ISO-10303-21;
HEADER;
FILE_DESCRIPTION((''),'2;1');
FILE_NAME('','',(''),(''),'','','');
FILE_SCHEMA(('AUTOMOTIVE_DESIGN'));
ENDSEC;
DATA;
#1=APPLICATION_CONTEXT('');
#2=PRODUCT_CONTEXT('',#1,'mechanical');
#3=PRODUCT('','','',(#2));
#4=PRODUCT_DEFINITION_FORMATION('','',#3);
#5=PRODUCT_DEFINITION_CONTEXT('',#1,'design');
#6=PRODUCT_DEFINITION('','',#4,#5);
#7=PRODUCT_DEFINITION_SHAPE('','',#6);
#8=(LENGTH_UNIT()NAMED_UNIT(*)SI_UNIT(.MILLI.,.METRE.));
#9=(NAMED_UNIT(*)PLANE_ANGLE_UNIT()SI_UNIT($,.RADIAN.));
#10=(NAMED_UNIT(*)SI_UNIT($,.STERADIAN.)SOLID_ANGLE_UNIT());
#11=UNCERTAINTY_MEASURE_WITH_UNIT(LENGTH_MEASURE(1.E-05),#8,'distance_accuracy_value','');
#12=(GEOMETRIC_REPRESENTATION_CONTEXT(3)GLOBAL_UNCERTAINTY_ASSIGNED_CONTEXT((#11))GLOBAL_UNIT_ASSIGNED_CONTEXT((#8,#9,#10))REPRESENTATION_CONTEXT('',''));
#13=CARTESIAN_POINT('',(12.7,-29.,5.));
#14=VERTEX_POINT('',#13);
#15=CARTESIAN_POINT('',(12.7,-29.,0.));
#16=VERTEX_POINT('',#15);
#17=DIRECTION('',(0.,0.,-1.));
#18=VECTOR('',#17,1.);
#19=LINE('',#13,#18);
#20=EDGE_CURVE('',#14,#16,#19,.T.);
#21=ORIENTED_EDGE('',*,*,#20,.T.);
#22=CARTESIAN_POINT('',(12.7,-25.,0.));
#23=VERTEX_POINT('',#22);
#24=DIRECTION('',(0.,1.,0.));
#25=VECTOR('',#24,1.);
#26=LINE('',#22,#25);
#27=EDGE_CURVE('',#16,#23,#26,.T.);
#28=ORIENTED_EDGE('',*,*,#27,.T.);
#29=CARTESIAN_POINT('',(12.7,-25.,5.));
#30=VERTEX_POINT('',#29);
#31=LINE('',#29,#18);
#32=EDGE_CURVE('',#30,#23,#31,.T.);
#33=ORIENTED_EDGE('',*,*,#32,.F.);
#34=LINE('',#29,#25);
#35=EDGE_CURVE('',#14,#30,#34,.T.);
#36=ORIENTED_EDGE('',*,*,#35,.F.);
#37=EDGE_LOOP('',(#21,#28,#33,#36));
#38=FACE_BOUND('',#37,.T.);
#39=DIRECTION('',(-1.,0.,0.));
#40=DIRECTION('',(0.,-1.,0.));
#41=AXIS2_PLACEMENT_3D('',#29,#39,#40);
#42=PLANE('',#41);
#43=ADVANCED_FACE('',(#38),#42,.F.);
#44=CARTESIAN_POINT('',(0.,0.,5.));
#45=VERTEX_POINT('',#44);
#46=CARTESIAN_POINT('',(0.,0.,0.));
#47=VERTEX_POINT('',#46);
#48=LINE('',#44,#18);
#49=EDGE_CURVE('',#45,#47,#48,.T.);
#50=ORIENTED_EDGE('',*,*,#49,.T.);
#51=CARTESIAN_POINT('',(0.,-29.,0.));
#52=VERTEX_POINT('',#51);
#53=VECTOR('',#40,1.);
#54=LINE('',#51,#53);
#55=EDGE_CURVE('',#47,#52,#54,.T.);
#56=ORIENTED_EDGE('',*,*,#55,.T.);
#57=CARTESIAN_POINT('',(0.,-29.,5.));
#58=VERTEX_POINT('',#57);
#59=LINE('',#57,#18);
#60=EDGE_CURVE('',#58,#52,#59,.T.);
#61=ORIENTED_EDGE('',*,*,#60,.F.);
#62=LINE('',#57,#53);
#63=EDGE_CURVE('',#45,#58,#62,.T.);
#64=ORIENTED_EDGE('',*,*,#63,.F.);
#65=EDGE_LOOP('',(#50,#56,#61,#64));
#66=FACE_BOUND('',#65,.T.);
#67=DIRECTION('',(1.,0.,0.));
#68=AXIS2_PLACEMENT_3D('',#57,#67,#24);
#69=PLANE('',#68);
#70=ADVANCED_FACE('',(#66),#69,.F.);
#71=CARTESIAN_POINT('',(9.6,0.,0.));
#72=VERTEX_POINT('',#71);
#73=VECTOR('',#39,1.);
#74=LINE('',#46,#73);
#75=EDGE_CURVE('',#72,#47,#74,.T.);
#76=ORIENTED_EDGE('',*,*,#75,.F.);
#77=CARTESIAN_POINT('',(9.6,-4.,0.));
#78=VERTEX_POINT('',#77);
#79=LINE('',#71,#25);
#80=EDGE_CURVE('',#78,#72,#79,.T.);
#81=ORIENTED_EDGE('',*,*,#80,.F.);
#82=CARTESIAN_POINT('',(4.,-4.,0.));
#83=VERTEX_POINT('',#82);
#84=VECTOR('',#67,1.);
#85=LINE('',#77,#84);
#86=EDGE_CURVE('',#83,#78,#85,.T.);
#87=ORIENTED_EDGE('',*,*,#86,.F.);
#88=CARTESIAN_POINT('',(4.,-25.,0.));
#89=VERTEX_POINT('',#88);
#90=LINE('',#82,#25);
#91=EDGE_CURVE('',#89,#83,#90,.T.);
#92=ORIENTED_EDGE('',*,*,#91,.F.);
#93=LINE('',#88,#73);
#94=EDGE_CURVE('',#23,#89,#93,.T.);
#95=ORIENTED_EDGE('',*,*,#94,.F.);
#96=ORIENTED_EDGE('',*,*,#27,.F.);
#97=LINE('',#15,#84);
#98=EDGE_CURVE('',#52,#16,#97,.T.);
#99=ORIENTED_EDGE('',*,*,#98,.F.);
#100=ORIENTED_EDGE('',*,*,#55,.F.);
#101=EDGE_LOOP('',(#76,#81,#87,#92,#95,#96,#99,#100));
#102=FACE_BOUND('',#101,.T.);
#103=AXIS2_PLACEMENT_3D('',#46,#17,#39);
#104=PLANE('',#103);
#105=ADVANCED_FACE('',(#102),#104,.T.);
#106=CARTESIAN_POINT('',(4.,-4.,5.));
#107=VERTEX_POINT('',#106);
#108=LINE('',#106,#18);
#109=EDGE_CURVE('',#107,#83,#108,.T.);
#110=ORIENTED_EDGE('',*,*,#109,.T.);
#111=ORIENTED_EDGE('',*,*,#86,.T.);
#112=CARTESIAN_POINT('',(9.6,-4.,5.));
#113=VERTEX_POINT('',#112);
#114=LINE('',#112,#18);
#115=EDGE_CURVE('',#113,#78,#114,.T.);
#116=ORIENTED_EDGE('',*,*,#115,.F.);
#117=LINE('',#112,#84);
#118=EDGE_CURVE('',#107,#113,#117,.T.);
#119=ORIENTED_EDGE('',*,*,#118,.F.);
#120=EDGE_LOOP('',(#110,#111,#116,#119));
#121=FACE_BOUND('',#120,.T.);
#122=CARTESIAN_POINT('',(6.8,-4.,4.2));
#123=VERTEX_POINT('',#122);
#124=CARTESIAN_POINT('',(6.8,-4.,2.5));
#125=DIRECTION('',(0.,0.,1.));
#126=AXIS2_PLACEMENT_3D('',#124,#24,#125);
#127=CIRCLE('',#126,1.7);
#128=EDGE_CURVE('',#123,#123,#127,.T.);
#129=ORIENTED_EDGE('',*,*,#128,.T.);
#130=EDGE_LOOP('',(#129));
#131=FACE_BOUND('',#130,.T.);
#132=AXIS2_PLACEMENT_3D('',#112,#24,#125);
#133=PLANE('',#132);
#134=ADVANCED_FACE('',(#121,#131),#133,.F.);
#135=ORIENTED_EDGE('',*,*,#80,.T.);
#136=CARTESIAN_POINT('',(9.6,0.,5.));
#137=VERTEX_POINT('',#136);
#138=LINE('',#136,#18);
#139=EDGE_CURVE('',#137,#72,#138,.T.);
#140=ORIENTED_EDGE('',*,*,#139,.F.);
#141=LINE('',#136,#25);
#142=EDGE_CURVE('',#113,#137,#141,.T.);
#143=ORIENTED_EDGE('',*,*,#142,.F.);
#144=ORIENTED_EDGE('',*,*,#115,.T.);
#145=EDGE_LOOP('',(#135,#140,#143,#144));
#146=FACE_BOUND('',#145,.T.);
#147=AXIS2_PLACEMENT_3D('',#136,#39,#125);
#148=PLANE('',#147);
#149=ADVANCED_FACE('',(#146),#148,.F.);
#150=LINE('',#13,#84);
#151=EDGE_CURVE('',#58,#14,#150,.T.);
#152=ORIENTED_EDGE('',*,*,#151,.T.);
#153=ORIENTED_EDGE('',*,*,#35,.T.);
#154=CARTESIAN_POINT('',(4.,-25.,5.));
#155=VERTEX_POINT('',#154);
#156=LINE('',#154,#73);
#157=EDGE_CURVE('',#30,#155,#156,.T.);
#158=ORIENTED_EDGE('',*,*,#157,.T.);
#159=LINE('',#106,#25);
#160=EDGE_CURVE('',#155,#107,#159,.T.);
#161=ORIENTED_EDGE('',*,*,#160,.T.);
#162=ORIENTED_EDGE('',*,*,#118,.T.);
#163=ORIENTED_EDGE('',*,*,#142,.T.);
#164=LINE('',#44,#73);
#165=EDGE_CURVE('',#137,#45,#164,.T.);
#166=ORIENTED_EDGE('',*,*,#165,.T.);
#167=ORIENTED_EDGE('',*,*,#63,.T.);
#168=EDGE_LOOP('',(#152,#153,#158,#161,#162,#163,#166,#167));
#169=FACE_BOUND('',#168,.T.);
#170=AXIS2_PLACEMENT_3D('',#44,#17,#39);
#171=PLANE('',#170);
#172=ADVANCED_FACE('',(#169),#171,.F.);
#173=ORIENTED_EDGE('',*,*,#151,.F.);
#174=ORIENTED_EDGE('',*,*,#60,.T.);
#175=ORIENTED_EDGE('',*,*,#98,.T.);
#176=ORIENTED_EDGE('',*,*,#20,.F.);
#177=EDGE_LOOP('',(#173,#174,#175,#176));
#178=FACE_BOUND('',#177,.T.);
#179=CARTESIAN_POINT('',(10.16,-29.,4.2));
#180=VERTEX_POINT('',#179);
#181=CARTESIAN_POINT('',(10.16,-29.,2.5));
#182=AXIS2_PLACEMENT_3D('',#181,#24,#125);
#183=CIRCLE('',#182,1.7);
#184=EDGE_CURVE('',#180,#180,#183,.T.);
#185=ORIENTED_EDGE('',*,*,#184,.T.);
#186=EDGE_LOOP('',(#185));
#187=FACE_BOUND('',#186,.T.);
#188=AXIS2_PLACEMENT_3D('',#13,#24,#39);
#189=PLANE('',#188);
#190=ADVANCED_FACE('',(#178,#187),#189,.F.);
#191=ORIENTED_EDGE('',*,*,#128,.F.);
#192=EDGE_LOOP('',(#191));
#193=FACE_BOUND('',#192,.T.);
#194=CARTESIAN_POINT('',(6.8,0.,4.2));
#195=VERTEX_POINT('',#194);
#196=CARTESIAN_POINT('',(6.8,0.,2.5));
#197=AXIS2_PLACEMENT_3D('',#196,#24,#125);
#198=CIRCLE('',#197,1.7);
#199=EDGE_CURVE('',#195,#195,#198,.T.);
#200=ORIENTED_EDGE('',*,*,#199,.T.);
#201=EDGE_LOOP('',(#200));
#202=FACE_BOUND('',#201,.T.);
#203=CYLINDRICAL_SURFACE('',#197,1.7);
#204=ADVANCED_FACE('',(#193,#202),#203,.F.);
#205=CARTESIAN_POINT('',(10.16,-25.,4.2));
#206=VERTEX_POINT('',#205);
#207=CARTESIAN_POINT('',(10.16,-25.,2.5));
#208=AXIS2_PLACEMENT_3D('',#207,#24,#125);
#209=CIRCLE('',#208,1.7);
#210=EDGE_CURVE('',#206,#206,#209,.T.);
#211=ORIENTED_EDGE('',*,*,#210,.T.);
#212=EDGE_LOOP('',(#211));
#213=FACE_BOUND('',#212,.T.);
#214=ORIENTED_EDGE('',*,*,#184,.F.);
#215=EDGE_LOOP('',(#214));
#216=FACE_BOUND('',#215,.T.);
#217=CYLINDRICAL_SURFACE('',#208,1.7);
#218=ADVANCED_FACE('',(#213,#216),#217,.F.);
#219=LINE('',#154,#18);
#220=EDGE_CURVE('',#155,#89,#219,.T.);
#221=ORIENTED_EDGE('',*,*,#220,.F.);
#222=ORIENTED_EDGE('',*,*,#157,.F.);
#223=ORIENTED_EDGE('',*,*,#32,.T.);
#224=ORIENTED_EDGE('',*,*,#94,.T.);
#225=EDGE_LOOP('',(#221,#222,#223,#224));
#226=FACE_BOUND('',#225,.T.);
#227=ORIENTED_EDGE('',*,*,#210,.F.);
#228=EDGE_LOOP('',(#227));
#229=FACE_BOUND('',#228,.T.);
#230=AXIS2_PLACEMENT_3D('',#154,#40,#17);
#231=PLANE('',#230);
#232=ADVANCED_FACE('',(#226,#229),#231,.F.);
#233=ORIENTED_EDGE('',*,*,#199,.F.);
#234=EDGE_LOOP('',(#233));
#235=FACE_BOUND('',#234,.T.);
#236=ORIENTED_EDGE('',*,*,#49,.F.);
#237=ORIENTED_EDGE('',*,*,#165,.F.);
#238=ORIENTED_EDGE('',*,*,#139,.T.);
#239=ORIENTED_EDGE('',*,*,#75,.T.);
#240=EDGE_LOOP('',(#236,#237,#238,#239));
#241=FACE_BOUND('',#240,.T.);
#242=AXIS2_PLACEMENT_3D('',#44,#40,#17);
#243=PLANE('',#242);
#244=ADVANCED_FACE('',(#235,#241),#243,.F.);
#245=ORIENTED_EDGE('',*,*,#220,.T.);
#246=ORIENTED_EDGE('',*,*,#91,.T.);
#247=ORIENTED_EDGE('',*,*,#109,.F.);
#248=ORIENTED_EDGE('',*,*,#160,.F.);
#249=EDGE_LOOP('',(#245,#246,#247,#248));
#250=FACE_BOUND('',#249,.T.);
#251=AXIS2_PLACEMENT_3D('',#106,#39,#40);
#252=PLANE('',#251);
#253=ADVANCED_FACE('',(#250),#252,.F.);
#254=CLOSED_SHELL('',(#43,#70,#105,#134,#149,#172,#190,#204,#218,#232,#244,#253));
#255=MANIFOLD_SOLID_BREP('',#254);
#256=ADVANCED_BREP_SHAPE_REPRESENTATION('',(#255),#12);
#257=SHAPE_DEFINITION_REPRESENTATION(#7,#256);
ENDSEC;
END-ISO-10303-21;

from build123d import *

# Parameters (mm, degrees)
RESSALTO_EXTRUS_O1_DEPTH    = 5
FURO_COM_FOLGA_DE_M32_D     = 3.4
FURO_COM_FOLGA_DE_M32_DEPTH = 4
FURO_COM_FOLGA_DE_M31_D     = 3.4
FURO_COM_FOLGA_DE_M31_DEPTH = 11.25
FURO_COM_FOLGA_DE_M31_TIP   = 1.021463052


with BuildPart() as part:
    # Esboço1 → Ressalto-extrusão1 (new body)
    with BuildSketch(Plane.XY):
        Polygon((12.7, -29), (0, -29), (0, 0), (9.6, 0), (9.6, -4), (4, -4), (4, -25), (12.7, -25), align=None)
    extrude(amount=RESSALTO_EXTRUS_O1_DEPTH)

    # Furo com folga de M32
    with Locations(Plane(origin=(0, -25, 0), x_dir=(1, 0, 0), z_dir=(0, 1, 0))):
        with Locations((10.16, -2.5)):
            Hole(FURO_COM_FOLGA_DE_M32_D / 2, depth=FURO_COM_FOLGA_DE_M32_DEPTH)

    # Furo com folga de M31
    with Locations(Plane(origin=(0, 0, 0), x_dir=(1, 0, 0), z_dir=(0, 1, 0))):
        with Locations((6.8, -2.5)):
            Hole(FURO_COM_FOLGA_DE_M31_D / 2, depth=FURO_COM_FOLGA_DE_M31_DEPTH)
            with Locations((0, 0, -(FURO_COM_FOLGA_DE_M31_DEPTH + FURO_COM_FOLGA_DE_M31_TIP / 2))):  # 118° drill point
                Cone(0, FURO_COM_FOLGA_DE_M31_D / 2, FURO_COM_FOLGA_DE_M31_TIP, mode=Mode.SUBTRACT)


solid = part.part
